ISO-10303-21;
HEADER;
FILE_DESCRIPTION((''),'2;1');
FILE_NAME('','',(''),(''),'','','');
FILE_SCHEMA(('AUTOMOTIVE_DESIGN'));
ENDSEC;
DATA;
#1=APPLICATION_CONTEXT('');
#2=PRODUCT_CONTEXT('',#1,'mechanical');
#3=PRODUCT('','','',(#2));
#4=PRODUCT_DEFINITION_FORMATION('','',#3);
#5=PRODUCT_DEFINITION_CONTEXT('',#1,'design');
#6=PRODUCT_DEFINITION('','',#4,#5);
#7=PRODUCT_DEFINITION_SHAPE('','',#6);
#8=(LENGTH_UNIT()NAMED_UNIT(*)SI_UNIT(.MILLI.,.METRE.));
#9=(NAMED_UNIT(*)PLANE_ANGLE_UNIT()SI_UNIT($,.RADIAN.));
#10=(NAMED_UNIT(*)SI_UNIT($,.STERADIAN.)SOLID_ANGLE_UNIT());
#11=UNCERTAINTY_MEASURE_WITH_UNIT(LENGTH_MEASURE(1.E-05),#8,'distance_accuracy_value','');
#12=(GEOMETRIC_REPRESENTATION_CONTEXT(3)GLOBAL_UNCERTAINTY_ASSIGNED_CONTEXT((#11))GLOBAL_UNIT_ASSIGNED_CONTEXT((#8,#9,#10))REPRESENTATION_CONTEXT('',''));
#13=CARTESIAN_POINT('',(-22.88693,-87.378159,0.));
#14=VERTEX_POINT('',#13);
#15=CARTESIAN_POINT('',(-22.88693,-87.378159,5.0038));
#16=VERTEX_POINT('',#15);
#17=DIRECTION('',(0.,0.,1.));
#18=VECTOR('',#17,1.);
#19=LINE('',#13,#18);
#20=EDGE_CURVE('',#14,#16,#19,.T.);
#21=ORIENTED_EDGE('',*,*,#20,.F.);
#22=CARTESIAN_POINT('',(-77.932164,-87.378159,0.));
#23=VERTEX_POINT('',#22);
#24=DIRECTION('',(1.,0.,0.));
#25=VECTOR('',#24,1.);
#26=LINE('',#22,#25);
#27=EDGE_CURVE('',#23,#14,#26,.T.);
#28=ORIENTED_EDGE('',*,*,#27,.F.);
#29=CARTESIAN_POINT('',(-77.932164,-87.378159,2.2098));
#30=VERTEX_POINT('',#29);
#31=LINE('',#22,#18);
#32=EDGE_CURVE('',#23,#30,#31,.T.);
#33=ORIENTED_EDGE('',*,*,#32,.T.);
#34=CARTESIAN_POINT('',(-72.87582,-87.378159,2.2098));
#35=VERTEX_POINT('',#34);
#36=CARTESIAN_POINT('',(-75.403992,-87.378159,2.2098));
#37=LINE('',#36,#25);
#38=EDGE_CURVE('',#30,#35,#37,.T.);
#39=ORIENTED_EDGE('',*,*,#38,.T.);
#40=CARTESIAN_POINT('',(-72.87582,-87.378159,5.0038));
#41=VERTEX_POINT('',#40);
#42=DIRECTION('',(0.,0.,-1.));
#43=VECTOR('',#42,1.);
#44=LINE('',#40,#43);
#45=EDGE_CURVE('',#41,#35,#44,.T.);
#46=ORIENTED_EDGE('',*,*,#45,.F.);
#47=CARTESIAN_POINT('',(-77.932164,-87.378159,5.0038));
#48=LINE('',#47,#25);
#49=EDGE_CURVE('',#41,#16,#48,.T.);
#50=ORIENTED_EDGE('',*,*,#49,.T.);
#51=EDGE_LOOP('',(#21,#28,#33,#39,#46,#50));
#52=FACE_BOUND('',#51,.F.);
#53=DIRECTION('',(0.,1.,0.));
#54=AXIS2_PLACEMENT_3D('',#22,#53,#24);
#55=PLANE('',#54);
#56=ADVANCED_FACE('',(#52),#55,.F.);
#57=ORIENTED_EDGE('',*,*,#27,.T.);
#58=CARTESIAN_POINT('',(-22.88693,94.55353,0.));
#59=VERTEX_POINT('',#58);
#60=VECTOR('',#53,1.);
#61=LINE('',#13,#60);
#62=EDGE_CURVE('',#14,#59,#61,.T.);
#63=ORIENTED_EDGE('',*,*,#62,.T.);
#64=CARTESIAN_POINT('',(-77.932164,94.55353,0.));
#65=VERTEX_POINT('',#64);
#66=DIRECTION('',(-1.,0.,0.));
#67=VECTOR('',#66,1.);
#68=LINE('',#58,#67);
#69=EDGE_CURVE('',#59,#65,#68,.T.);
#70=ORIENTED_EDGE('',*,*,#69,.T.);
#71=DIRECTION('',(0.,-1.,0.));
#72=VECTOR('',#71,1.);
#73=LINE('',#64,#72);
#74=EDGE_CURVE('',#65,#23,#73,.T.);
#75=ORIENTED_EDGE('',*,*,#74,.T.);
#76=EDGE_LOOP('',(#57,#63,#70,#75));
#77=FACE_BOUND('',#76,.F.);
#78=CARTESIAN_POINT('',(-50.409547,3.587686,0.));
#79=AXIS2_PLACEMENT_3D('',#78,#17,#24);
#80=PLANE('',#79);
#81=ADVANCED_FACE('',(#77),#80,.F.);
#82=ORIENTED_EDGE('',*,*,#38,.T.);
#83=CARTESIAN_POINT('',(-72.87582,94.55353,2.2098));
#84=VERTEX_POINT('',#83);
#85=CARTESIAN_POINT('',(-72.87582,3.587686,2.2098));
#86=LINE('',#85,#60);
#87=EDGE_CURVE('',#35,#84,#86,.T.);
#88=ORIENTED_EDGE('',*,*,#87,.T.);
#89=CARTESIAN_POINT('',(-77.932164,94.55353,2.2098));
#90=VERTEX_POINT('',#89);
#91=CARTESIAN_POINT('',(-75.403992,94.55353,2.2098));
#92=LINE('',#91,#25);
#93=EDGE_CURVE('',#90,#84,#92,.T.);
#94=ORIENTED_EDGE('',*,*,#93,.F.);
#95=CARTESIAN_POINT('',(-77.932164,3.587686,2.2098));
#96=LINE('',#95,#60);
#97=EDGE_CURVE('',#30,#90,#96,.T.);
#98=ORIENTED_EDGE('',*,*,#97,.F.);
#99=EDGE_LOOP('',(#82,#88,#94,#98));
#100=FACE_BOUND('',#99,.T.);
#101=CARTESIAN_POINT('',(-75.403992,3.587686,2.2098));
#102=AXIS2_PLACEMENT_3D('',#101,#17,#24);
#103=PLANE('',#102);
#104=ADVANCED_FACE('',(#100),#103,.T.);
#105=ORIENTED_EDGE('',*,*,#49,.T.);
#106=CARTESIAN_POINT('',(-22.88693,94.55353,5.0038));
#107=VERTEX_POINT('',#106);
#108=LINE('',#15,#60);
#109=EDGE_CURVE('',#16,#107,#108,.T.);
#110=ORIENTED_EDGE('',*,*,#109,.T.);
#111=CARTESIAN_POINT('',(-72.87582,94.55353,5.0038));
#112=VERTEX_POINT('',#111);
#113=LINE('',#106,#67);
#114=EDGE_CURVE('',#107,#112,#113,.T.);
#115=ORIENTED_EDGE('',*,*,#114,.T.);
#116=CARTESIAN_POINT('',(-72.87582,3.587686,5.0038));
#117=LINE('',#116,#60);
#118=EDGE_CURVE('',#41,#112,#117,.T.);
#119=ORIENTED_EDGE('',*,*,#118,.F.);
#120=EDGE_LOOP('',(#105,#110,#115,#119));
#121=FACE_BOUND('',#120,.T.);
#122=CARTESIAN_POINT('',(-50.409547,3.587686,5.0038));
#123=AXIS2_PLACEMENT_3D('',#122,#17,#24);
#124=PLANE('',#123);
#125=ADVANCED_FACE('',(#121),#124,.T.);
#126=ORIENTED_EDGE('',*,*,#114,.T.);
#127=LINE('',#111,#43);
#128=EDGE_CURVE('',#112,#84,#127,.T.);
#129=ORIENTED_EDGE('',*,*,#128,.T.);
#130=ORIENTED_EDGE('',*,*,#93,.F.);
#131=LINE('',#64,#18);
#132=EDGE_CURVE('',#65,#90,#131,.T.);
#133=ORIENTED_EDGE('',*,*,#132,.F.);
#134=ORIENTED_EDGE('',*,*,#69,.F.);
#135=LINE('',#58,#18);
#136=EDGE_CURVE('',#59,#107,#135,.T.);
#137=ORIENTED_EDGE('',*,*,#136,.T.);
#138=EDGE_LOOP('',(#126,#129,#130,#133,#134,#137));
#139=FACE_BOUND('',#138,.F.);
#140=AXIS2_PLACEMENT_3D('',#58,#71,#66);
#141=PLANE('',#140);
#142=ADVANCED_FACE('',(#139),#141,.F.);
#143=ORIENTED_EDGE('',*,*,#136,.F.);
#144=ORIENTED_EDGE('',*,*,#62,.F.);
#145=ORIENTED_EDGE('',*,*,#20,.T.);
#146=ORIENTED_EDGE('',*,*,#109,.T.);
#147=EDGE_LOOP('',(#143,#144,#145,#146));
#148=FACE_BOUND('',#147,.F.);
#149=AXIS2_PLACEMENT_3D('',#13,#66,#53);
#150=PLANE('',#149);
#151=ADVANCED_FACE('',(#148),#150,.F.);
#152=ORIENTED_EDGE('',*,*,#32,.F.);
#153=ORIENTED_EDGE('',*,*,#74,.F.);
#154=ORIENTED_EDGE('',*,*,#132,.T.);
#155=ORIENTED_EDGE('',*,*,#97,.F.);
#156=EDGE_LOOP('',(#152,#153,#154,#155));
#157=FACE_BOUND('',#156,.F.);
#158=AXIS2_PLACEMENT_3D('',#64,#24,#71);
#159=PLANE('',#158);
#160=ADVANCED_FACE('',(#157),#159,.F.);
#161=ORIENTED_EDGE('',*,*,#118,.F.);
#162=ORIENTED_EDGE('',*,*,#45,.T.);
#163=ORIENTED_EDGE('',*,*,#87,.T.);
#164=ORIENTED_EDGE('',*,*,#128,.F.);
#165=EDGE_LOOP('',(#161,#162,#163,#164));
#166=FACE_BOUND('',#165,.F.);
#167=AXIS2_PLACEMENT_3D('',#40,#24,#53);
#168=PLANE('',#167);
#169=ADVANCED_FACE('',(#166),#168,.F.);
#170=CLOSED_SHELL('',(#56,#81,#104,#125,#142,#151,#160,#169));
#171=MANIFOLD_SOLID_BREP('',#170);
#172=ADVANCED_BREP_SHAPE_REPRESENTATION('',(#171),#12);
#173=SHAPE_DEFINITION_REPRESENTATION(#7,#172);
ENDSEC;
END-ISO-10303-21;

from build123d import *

# Parameters (mm, degrees)
F1_DEPTH = 5.0038
F2_W     = 5.0563439727
F2_H     = 181.9316893816
F3_DEPTH = 2.794


with BuildPart() as f1:
    # F0 (on Top) → F1 (new body)
    with BuildSketch(Plane.XY):
        Polygon((-77.932164073, 94.5535302162), (-77.932164073, 88.2035302162), (-77.932164073, -81.0281591654), (-77.932164073, -87.3781591654), (-22.8869300336, -87.3781591654), (-22.8869300336, 94.5535302162), align=None)
    extrude(amount=F1_DEPTH)

    # F2 (on face) → F3 (cut)
    with BuildSketch(Plane.XY.offset(5.0038)):
        with Locations((-75.4039920866, 3.5876855254)):
            Rectangle(F2_W, F2_H)
    extrude(amount=-F3_DEPTH, mode=Mode.SUBTRACT)


solid = f1.part
